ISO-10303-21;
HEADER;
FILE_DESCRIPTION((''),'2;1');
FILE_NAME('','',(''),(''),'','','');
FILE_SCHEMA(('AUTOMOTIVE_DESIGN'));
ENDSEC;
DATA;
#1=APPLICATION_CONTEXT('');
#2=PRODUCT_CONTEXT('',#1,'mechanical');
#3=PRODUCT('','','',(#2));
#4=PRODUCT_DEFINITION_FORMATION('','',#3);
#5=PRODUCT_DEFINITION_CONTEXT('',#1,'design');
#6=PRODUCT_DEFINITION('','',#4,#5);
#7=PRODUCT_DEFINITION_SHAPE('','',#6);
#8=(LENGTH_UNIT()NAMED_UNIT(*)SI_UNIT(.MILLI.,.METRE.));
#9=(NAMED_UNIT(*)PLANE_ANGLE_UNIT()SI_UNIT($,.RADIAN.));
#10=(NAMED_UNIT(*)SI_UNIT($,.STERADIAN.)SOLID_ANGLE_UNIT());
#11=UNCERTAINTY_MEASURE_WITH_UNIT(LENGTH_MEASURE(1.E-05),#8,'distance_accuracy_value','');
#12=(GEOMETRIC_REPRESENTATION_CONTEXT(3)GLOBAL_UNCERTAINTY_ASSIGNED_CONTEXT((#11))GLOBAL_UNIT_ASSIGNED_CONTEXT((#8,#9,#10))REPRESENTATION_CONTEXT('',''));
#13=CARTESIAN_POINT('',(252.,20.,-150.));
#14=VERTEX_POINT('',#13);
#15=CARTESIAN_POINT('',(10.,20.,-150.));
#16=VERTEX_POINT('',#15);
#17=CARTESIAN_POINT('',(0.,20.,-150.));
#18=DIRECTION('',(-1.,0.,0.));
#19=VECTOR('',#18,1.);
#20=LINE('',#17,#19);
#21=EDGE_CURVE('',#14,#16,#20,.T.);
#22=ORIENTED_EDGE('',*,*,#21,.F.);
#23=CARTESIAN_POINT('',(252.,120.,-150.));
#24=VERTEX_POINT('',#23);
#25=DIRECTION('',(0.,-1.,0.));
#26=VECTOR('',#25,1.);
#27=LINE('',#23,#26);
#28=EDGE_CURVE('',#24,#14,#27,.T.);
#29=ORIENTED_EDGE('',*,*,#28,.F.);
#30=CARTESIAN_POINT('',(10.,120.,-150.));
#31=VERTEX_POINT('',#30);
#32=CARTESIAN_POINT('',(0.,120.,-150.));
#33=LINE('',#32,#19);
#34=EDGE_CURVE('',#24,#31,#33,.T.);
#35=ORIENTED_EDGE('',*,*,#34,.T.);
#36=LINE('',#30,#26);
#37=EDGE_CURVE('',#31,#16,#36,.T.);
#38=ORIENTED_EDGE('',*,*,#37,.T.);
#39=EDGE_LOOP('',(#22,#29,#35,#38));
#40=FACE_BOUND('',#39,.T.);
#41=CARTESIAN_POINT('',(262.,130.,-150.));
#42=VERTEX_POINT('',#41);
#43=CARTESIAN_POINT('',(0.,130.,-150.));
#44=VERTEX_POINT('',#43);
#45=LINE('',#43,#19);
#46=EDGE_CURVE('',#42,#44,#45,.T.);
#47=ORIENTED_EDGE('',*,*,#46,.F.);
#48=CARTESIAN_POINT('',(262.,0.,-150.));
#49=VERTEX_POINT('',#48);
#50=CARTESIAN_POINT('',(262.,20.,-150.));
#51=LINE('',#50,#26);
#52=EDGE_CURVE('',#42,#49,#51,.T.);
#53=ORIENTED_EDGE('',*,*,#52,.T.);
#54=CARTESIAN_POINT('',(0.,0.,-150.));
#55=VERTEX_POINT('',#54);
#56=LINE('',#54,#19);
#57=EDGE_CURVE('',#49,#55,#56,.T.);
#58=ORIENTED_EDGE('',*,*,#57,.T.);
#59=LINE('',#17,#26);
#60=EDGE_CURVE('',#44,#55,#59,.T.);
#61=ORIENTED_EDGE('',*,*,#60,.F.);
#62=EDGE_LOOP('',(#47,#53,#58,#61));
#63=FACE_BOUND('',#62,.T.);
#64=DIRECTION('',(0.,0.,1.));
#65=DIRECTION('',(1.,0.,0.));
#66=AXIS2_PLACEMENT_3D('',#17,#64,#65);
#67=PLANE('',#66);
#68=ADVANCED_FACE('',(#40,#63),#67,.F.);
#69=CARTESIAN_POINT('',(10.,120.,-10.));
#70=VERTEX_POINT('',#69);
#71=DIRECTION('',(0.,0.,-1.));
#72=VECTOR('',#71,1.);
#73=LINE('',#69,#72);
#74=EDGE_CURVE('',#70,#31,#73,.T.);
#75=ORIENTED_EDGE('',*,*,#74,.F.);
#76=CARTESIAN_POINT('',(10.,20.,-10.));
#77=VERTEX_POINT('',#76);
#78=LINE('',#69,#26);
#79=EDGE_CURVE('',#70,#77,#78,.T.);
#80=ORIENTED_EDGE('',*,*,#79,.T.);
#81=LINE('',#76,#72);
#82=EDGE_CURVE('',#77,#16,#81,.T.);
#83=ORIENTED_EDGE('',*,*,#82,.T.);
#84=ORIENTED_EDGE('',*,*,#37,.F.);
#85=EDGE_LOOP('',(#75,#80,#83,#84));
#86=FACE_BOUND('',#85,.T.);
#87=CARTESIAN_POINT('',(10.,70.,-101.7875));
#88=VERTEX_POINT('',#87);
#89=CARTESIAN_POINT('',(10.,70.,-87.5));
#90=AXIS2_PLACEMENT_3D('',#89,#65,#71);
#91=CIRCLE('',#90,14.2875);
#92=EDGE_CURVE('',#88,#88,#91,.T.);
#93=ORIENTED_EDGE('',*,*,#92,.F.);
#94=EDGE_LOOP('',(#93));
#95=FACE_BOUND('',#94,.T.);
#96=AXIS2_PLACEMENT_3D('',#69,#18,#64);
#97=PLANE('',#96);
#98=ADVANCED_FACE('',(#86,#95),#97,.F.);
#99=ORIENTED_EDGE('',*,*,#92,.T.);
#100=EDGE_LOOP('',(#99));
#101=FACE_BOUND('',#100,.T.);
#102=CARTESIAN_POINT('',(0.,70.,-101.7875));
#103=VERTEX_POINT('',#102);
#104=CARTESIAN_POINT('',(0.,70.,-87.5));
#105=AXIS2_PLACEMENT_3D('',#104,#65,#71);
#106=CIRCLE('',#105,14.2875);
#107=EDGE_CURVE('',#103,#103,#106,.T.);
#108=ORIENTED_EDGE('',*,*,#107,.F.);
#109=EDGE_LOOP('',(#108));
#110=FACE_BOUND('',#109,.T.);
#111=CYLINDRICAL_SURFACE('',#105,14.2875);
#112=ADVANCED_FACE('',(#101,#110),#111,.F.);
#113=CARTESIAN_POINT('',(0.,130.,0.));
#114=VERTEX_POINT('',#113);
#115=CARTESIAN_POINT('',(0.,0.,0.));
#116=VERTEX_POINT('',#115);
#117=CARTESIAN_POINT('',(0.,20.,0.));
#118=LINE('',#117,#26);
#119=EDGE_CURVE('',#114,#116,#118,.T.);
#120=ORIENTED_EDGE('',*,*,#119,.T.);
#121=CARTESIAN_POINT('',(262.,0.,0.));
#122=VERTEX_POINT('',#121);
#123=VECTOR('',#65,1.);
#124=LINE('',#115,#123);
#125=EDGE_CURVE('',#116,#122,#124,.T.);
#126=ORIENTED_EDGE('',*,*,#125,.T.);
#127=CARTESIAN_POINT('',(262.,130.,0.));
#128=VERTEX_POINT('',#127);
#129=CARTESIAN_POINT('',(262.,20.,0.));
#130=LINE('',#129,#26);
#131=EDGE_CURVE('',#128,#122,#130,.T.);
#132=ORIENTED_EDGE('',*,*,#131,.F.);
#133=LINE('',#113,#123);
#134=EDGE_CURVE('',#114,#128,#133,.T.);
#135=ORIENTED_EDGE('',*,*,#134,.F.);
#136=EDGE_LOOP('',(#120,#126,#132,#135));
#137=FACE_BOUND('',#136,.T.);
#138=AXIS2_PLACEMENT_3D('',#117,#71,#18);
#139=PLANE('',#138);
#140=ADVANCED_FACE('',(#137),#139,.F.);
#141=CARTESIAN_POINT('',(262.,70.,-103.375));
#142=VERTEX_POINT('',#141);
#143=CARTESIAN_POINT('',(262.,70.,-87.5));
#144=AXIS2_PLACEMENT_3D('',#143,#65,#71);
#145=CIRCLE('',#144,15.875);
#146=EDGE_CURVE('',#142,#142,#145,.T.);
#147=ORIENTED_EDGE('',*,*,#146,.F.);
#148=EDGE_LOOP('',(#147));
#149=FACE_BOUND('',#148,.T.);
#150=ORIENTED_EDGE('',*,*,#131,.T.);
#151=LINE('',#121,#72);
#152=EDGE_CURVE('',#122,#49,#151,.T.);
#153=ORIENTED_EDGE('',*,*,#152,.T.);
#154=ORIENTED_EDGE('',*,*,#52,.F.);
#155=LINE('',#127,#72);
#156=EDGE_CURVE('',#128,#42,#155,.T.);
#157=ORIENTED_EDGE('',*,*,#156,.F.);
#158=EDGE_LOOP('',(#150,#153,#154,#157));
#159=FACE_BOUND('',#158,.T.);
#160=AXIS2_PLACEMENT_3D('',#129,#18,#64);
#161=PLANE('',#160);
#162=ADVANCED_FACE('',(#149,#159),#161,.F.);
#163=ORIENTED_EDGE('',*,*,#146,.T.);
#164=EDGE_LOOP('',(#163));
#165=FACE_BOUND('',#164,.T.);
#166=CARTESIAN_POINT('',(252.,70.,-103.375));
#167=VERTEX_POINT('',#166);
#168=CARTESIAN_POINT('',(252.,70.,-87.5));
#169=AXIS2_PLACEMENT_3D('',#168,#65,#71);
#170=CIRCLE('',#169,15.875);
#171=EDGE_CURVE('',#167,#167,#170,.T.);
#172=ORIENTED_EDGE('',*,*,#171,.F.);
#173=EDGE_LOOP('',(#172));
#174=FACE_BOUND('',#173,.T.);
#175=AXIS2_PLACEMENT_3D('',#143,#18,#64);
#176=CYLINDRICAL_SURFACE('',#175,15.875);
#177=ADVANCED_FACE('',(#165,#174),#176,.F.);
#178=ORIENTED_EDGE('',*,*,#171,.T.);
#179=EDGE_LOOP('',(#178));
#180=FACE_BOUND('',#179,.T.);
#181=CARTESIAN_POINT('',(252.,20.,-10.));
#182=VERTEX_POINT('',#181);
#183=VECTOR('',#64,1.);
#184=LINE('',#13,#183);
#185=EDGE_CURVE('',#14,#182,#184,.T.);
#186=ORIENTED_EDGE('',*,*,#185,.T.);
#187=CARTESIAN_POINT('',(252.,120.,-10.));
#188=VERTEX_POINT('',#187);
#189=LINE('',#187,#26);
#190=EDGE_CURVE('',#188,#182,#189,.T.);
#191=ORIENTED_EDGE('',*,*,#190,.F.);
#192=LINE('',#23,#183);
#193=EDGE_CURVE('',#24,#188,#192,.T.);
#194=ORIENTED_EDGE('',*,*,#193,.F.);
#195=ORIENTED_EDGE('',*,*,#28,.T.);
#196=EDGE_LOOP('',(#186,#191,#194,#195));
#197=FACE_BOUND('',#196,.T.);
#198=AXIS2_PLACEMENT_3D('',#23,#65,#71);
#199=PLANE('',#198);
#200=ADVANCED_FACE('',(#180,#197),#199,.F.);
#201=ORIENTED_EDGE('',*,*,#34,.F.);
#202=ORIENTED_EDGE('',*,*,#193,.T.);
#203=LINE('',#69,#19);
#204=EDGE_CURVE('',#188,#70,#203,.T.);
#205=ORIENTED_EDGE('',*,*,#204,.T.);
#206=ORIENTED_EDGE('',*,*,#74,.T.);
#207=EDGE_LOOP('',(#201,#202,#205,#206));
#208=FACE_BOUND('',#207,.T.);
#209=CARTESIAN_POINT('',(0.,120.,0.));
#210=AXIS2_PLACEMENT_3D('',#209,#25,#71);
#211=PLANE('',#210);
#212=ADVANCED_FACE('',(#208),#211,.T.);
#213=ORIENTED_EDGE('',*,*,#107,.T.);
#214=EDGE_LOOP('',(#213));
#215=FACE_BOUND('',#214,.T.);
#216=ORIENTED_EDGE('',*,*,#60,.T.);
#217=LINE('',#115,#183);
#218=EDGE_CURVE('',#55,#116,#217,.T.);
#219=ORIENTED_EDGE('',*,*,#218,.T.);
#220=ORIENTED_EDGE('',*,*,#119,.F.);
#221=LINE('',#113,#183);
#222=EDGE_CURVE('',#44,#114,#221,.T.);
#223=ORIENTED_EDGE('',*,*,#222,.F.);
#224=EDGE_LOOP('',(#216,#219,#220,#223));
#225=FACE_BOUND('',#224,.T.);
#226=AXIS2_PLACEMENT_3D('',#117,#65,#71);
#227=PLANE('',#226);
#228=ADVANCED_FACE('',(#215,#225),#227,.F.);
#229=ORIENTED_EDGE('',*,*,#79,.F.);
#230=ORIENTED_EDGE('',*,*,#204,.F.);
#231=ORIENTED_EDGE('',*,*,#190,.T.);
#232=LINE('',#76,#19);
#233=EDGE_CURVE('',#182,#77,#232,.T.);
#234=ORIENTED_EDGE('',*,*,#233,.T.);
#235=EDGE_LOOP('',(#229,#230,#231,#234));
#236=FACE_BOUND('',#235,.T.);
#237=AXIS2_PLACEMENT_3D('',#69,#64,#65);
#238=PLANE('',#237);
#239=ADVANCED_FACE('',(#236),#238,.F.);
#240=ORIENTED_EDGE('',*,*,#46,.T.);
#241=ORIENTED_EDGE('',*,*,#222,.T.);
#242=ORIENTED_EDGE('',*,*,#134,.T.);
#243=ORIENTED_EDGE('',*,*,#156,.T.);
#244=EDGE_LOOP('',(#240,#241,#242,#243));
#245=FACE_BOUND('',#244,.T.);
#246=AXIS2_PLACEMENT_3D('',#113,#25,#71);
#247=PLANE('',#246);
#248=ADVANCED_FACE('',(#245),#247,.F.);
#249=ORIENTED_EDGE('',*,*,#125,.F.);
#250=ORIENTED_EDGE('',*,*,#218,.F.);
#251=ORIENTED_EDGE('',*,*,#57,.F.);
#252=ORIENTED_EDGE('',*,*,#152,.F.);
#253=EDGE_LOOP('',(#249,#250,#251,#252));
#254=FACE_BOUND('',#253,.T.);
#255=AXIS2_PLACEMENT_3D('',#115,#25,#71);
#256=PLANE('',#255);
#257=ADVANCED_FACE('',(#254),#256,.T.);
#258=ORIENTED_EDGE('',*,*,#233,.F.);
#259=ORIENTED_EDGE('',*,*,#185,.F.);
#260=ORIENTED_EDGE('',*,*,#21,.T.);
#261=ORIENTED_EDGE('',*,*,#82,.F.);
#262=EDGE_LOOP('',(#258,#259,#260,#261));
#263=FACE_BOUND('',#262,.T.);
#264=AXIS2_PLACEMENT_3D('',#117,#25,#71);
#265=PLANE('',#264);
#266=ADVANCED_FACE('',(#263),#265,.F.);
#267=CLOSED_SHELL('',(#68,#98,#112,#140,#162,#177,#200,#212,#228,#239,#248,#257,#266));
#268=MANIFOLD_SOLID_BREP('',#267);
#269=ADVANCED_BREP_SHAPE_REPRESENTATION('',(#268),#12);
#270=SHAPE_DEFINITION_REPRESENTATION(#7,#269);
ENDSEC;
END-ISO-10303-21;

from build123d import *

# Parameters (mm, degrees)
SKETCH1_W           = 262
SKETCH1_H           = 150
BOSS_EXTRUDE1_DEPTH = 20
BOSS_EXTRUDE2_DEPTH = 100
SKETCH3_R           = 14.2875
CUT_EXTRUDE1_DEPTH  = 11
SKETCH4_R           = 15.875
CUT_EXTRUDE2_DEPTH  = 11
SKETCH5_W           = 262
SKETCH5_H           = 150
BOSS_EXTRUDE4_DEPTH = 10


with BuildPart() as part:
    # Sketch1 → Boss-Extrude1 (new body)
    with BuildSketch(Plane(origin=(0, 0, 0), x_dir=(1, 0, 0), z_dir=(0, 1, 0))):
        with Locations((131, 75)):
            Rectangle(SKETCH1_W, SKETCH1_H)
    extrude(amount=BOSS_EXTRUDE1_DEPTH)

    # Sketch2 → Boss-Extrude2 (add)
    with BuildSketch(Plane(origin=(0, 20, 0), x_dir=(1, 0, 0), z_dir=(0, 1, 0))):
        Polygon((0, 0), (262, 0), (262, 150), (252, 150), (252, 10), (10, 10), (10, 150), (0, 150), align=None)
    extrude(amount=BOSS_EXTRUDE2_DEPTH)

    # Sketch3 → Cut-Extrude1 (cut, through all)
    with BuildSketch(Plane(origin=(10, 0, 0), x_dir=(0, 0, -1), z_dir=(1, 0, 0))):
        with Locations((87.5, 70)):
            Circle(SKETCH3_R)
    extrude(amount=-CUT_EXTRUDE1_DEPTH, mode=Mode.SUBTRACT)

    # Sketch4 → Cut-Extrude2 (cut, through all)
    with BuildSketch(Plane(origin=(252, 0, 0), x_dir=(0, 0, -1), z_dir=(1, 0, 0))):
        with Locations((87.5, 70)):
            Circle(SKETCH4_R)
    extrude(amount=CUT_EXTRUDE2_DEPTH, mode=Mode.SUBTRACT)

    # Sketch5 → Boss-Extrude4 (add)
    with BuildSketch(Plane(origin=(0, 120, 0), x_dir=(1, 0, 0), z_dir=(0, 1, 0))):
        with Locations((131, 75)):
            Rectangle(SKETCH5_W, SKETCH5_H)
    extrude(amount=BOSS_EXTRUDE4_DEPTH)


solid = part.part
